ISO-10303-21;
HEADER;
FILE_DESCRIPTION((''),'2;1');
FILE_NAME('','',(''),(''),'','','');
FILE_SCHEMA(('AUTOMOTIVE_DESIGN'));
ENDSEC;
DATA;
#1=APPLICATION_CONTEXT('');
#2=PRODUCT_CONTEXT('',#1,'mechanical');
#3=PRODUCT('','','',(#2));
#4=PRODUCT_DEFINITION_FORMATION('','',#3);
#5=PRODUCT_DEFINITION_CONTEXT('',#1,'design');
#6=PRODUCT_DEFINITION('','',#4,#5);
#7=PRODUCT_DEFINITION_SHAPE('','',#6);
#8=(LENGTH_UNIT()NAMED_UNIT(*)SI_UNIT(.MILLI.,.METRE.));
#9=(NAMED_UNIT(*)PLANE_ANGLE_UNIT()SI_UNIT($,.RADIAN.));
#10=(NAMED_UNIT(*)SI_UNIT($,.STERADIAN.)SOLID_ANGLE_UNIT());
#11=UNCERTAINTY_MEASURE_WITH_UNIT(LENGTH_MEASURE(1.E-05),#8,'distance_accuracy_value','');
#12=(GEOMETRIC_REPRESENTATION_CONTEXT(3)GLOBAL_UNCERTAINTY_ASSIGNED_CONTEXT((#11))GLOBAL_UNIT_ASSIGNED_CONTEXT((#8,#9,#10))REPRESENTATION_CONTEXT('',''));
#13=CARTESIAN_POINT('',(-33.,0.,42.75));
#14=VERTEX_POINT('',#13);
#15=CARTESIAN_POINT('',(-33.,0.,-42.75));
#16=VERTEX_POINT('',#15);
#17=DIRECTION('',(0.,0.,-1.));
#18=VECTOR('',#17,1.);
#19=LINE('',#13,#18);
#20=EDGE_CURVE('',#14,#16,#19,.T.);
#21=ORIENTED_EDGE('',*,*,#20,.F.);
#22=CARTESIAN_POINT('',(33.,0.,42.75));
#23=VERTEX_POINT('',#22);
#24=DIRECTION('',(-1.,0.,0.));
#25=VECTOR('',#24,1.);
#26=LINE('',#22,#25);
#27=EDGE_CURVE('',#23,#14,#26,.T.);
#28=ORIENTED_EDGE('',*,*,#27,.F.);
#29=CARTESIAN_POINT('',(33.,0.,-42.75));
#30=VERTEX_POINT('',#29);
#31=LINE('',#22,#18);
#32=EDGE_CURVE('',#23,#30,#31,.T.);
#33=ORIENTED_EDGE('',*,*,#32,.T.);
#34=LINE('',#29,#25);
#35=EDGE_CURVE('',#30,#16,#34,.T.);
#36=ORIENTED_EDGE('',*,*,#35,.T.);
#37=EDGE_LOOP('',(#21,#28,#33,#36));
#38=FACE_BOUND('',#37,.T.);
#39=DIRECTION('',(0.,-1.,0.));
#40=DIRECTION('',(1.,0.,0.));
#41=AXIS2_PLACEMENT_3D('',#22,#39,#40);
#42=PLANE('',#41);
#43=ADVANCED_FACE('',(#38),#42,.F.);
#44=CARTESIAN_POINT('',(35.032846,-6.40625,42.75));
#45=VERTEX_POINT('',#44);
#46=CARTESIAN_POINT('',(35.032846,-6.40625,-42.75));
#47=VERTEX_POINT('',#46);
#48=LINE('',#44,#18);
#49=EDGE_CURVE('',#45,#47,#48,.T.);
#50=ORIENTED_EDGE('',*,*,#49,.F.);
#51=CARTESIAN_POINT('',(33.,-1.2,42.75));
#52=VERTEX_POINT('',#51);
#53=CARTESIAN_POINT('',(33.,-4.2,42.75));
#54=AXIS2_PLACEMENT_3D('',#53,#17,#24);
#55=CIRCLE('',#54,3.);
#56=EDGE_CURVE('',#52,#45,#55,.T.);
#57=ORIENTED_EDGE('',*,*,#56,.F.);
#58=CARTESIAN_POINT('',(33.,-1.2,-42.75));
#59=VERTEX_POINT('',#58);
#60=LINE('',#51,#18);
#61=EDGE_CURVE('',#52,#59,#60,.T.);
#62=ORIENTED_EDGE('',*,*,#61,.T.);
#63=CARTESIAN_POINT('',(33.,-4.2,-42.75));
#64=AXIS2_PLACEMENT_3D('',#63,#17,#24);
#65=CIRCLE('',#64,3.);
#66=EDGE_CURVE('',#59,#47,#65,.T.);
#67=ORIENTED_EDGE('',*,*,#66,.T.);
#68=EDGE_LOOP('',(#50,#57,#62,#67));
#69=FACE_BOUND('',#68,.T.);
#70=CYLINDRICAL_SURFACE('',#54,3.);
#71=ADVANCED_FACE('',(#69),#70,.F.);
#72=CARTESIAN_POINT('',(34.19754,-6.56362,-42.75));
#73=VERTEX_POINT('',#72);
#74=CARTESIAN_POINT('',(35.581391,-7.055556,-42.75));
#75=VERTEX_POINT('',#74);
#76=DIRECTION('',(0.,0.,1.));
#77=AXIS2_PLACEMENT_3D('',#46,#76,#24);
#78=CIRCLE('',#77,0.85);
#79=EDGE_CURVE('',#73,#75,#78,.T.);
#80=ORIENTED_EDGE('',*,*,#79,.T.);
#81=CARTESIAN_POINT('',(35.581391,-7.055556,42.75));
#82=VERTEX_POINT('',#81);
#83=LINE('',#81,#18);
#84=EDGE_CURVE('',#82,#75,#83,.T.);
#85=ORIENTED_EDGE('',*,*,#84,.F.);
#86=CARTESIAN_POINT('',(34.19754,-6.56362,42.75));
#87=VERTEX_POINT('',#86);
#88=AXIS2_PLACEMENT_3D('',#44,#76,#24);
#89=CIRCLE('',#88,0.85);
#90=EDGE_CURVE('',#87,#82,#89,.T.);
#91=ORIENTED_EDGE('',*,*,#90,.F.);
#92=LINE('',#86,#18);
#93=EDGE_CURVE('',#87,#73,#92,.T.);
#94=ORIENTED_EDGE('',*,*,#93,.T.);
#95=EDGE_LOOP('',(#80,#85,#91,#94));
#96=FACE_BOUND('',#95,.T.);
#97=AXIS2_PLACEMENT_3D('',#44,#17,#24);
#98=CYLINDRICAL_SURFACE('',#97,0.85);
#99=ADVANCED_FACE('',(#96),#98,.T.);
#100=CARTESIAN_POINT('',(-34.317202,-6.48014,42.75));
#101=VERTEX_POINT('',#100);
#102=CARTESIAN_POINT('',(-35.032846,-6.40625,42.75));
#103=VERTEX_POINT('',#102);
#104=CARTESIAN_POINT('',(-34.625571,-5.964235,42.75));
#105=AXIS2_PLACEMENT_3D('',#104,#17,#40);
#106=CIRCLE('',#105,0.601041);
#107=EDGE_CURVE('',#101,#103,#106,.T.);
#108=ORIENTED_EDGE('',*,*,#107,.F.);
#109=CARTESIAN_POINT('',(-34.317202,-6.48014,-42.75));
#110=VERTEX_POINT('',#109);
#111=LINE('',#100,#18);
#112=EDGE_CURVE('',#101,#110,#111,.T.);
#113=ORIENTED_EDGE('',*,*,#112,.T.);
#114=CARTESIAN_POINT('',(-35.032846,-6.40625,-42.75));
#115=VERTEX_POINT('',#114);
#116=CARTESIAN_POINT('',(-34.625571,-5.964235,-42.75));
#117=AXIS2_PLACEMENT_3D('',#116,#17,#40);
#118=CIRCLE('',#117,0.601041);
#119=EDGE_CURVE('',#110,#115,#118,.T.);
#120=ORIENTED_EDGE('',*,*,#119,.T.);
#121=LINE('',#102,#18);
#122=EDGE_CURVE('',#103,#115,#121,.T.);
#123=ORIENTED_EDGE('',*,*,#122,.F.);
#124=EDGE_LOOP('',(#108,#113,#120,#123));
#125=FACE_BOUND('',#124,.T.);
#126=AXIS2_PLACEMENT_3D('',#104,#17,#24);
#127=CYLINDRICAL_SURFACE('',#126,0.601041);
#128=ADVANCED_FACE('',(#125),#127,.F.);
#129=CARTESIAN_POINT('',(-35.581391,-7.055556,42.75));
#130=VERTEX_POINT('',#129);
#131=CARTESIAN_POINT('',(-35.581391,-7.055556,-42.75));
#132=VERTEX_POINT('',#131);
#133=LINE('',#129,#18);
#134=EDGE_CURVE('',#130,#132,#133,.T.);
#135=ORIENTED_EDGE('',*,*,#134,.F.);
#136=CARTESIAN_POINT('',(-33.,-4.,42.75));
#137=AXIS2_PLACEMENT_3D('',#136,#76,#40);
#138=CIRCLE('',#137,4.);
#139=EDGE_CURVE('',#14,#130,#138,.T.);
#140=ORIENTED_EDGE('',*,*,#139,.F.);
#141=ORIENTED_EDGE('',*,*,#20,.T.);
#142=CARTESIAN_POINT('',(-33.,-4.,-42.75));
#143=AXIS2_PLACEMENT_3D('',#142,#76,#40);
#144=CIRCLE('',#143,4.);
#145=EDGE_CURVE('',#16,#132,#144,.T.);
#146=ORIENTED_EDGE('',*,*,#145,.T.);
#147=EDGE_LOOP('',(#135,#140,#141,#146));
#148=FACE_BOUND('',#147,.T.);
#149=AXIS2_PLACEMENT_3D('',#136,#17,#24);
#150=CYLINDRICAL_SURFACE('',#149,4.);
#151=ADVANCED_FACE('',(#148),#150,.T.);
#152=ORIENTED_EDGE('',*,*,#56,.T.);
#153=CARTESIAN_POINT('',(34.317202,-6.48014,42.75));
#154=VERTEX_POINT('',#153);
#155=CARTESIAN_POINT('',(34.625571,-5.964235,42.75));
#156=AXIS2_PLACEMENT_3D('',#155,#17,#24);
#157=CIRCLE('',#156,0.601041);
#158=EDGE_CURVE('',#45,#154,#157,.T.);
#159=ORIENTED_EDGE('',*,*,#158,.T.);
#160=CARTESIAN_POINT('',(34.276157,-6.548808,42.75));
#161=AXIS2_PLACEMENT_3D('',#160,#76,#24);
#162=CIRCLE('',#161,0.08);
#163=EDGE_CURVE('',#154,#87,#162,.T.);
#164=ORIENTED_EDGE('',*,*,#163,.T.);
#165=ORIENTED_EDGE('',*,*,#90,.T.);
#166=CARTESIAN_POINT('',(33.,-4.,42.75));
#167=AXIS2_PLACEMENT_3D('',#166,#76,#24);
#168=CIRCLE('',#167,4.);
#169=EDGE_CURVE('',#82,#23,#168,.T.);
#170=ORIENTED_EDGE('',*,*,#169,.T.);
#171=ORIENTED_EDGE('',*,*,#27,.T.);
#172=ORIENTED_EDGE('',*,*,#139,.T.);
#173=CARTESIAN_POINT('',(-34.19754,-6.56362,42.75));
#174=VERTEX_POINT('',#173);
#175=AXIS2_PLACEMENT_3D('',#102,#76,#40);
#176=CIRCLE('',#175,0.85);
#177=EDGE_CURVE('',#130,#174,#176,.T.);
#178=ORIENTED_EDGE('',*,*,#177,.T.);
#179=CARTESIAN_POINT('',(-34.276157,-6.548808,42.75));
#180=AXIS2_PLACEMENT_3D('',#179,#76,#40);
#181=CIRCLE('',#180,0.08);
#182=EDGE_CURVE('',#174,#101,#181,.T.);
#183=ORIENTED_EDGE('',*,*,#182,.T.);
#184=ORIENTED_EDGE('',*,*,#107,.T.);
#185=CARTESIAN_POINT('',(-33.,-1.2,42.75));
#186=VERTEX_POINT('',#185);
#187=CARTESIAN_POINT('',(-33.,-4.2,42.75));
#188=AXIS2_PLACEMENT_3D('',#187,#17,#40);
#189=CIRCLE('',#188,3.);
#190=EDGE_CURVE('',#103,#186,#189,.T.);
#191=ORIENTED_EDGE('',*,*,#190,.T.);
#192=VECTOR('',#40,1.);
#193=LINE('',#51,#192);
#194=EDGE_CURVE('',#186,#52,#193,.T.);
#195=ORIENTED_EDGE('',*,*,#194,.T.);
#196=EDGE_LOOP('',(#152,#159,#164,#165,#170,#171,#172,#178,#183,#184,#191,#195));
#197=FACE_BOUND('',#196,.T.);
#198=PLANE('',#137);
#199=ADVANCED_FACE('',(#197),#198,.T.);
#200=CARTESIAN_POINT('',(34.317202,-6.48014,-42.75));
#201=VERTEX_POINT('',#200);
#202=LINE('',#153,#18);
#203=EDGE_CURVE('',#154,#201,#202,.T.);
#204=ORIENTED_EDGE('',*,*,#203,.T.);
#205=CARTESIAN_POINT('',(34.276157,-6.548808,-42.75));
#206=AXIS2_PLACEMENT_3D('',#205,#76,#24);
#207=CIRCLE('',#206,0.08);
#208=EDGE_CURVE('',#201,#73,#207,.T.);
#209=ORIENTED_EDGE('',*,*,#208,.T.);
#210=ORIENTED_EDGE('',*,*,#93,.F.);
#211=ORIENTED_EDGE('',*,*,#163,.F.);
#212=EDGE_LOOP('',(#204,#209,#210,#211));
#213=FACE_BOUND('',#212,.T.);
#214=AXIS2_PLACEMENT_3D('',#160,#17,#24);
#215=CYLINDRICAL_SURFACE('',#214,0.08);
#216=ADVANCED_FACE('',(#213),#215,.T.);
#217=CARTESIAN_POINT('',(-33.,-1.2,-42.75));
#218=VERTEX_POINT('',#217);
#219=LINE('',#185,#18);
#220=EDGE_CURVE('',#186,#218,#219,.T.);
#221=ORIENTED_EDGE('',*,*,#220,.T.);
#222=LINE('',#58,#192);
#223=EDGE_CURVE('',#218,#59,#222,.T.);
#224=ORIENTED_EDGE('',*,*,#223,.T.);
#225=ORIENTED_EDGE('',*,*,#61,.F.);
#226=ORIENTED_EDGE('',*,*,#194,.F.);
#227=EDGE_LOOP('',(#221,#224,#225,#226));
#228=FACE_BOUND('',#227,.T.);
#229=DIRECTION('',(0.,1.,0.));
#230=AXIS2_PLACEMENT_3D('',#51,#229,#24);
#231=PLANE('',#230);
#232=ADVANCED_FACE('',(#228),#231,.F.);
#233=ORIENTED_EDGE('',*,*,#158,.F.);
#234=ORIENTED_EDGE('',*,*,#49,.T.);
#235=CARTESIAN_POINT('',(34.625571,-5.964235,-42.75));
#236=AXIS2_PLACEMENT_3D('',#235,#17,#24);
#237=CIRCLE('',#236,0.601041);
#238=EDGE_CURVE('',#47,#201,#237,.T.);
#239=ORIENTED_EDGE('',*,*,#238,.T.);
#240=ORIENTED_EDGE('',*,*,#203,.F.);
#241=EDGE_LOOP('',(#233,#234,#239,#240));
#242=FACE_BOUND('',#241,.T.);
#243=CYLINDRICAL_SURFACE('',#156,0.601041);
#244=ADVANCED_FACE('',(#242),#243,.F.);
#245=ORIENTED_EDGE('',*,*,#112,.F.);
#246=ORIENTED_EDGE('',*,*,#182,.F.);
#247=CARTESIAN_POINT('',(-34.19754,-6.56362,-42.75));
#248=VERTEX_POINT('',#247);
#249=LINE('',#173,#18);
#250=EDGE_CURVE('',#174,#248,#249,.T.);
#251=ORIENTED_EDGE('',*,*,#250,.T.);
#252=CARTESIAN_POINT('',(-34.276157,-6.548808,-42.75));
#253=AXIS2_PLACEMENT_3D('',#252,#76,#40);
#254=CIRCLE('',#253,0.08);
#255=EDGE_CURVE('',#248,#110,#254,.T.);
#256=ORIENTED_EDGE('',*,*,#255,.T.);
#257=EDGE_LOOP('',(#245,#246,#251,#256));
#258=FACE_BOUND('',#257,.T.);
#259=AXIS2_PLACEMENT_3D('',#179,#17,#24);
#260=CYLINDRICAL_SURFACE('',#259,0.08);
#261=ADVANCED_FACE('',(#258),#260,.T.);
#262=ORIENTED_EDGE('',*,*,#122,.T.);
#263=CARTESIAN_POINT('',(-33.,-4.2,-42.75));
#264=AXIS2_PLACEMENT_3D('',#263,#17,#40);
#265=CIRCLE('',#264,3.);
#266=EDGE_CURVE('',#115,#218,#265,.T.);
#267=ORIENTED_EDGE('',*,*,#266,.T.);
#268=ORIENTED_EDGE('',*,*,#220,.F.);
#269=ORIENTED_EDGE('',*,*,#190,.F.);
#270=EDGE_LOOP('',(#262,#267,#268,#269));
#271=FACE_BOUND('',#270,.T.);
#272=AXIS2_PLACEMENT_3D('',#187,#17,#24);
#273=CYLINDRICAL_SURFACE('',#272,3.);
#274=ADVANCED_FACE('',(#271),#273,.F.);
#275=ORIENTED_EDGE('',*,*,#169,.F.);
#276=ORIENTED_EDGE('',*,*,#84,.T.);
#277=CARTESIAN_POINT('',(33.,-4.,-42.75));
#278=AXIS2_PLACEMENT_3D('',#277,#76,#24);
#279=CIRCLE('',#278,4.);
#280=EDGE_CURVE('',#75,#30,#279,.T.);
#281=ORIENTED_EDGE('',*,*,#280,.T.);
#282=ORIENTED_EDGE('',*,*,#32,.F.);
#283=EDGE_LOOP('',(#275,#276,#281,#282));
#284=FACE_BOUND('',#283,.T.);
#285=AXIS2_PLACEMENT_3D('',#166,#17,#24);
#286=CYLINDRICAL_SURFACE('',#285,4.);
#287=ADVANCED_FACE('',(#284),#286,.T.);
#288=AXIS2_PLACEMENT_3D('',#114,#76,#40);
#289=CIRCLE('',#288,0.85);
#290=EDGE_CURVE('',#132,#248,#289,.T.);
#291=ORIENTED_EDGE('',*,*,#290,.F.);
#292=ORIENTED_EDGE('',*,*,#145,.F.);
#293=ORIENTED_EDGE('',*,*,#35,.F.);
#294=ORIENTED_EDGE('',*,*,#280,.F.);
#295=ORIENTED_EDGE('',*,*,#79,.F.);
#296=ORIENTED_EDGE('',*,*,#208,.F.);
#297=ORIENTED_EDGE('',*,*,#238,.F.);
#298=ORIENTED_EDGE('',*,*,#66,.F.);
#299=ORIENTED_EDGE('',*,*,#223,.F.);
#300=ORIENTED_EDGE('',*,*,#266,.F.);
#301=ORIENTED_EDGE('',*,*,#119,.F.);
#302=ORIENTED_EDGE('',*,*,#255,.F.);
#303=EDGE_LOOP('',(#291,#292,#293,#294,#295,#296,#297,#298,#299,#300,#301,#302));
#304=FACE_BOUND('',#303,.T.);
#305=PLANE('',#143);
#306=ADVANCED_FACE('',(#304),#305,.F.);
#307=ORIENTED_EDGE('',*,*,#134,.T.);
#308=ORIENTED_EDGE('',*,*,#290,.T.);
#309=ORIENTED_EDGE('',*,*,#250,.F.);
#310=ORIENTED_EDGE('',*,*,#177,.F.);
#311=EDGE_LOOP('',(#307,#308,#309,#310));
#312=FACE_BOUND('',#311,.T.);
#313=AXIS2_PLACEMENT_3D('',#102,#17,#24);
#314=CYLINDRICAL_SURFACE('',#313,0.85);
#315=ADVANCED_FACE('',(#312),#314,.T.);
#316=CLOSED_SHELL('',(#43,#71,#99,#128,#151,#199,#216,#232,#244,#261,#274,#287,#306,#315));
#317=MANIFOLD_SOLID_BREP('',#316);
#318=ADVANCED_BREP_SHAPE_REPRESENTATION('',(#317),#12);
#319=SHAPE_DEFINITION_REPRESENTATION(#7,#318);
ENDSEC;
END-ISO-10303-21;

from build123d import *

# Parameters (mm, degrees)
EXTRUDE_1_DEPTH = 42.75


with BuildPart() as part:
    # ｽｹｯﾁ1 → ﾎﾞｽ - 押し出し1 (new, symmetric)
    with BuildSketch(Plane.XY):
        with BuildLine():
            Line((33, 0), (-33, 0))
            ThreePointArc((-33, 0), (-36.75647589, -2.625631458), (-35.581391146, -7.055555556))
            ThreePointArc((-35.581391146, -7.055555556), (-34.748138628, -7.207150732), (-34.197540305, -6.563619582))
            ThreePointArc((-34.197540305, -6.563619582), (-34.230384711, -6.483196795), (-34.317201966, -6.480140047))
            ThreePointArc((-34.317201966, -6.480140047), (-34.687300356, -6.562097055), (-35.032845527, -6.40625))
            ThreePointArc((-35.032845527, -6.40625), (-35.794525899, -3.108842358), (-33, -1.2))
            Line((-33, -1.2), (33, -1.2))
            ThreePointArc((33, -1.2), (35.794525899, -3.108842358), (35.032845527, -6.40625))
            ThreePointArc((35.032845527, -6.40625), (34.687300356, -6.562097055), (34.317201966, -6.480140047))
            ThreePointArc((34.317201966, -6.480140047), (34.230384711, -6.483196795), (34.197540305, -6.563619582))
            ThreePointArc((34.197540305, -6.563619582), (34.748138628, -7.207150732), (35.581391146, -7.055555556))
            ThreePointArc((35.581391146, -7.055555556), (36.75647589, -2.625631458), (33, 0))
        make_face()
    extrude(amount=EXTRUDE_1_DEPTH, both=True)


solid = part.part
